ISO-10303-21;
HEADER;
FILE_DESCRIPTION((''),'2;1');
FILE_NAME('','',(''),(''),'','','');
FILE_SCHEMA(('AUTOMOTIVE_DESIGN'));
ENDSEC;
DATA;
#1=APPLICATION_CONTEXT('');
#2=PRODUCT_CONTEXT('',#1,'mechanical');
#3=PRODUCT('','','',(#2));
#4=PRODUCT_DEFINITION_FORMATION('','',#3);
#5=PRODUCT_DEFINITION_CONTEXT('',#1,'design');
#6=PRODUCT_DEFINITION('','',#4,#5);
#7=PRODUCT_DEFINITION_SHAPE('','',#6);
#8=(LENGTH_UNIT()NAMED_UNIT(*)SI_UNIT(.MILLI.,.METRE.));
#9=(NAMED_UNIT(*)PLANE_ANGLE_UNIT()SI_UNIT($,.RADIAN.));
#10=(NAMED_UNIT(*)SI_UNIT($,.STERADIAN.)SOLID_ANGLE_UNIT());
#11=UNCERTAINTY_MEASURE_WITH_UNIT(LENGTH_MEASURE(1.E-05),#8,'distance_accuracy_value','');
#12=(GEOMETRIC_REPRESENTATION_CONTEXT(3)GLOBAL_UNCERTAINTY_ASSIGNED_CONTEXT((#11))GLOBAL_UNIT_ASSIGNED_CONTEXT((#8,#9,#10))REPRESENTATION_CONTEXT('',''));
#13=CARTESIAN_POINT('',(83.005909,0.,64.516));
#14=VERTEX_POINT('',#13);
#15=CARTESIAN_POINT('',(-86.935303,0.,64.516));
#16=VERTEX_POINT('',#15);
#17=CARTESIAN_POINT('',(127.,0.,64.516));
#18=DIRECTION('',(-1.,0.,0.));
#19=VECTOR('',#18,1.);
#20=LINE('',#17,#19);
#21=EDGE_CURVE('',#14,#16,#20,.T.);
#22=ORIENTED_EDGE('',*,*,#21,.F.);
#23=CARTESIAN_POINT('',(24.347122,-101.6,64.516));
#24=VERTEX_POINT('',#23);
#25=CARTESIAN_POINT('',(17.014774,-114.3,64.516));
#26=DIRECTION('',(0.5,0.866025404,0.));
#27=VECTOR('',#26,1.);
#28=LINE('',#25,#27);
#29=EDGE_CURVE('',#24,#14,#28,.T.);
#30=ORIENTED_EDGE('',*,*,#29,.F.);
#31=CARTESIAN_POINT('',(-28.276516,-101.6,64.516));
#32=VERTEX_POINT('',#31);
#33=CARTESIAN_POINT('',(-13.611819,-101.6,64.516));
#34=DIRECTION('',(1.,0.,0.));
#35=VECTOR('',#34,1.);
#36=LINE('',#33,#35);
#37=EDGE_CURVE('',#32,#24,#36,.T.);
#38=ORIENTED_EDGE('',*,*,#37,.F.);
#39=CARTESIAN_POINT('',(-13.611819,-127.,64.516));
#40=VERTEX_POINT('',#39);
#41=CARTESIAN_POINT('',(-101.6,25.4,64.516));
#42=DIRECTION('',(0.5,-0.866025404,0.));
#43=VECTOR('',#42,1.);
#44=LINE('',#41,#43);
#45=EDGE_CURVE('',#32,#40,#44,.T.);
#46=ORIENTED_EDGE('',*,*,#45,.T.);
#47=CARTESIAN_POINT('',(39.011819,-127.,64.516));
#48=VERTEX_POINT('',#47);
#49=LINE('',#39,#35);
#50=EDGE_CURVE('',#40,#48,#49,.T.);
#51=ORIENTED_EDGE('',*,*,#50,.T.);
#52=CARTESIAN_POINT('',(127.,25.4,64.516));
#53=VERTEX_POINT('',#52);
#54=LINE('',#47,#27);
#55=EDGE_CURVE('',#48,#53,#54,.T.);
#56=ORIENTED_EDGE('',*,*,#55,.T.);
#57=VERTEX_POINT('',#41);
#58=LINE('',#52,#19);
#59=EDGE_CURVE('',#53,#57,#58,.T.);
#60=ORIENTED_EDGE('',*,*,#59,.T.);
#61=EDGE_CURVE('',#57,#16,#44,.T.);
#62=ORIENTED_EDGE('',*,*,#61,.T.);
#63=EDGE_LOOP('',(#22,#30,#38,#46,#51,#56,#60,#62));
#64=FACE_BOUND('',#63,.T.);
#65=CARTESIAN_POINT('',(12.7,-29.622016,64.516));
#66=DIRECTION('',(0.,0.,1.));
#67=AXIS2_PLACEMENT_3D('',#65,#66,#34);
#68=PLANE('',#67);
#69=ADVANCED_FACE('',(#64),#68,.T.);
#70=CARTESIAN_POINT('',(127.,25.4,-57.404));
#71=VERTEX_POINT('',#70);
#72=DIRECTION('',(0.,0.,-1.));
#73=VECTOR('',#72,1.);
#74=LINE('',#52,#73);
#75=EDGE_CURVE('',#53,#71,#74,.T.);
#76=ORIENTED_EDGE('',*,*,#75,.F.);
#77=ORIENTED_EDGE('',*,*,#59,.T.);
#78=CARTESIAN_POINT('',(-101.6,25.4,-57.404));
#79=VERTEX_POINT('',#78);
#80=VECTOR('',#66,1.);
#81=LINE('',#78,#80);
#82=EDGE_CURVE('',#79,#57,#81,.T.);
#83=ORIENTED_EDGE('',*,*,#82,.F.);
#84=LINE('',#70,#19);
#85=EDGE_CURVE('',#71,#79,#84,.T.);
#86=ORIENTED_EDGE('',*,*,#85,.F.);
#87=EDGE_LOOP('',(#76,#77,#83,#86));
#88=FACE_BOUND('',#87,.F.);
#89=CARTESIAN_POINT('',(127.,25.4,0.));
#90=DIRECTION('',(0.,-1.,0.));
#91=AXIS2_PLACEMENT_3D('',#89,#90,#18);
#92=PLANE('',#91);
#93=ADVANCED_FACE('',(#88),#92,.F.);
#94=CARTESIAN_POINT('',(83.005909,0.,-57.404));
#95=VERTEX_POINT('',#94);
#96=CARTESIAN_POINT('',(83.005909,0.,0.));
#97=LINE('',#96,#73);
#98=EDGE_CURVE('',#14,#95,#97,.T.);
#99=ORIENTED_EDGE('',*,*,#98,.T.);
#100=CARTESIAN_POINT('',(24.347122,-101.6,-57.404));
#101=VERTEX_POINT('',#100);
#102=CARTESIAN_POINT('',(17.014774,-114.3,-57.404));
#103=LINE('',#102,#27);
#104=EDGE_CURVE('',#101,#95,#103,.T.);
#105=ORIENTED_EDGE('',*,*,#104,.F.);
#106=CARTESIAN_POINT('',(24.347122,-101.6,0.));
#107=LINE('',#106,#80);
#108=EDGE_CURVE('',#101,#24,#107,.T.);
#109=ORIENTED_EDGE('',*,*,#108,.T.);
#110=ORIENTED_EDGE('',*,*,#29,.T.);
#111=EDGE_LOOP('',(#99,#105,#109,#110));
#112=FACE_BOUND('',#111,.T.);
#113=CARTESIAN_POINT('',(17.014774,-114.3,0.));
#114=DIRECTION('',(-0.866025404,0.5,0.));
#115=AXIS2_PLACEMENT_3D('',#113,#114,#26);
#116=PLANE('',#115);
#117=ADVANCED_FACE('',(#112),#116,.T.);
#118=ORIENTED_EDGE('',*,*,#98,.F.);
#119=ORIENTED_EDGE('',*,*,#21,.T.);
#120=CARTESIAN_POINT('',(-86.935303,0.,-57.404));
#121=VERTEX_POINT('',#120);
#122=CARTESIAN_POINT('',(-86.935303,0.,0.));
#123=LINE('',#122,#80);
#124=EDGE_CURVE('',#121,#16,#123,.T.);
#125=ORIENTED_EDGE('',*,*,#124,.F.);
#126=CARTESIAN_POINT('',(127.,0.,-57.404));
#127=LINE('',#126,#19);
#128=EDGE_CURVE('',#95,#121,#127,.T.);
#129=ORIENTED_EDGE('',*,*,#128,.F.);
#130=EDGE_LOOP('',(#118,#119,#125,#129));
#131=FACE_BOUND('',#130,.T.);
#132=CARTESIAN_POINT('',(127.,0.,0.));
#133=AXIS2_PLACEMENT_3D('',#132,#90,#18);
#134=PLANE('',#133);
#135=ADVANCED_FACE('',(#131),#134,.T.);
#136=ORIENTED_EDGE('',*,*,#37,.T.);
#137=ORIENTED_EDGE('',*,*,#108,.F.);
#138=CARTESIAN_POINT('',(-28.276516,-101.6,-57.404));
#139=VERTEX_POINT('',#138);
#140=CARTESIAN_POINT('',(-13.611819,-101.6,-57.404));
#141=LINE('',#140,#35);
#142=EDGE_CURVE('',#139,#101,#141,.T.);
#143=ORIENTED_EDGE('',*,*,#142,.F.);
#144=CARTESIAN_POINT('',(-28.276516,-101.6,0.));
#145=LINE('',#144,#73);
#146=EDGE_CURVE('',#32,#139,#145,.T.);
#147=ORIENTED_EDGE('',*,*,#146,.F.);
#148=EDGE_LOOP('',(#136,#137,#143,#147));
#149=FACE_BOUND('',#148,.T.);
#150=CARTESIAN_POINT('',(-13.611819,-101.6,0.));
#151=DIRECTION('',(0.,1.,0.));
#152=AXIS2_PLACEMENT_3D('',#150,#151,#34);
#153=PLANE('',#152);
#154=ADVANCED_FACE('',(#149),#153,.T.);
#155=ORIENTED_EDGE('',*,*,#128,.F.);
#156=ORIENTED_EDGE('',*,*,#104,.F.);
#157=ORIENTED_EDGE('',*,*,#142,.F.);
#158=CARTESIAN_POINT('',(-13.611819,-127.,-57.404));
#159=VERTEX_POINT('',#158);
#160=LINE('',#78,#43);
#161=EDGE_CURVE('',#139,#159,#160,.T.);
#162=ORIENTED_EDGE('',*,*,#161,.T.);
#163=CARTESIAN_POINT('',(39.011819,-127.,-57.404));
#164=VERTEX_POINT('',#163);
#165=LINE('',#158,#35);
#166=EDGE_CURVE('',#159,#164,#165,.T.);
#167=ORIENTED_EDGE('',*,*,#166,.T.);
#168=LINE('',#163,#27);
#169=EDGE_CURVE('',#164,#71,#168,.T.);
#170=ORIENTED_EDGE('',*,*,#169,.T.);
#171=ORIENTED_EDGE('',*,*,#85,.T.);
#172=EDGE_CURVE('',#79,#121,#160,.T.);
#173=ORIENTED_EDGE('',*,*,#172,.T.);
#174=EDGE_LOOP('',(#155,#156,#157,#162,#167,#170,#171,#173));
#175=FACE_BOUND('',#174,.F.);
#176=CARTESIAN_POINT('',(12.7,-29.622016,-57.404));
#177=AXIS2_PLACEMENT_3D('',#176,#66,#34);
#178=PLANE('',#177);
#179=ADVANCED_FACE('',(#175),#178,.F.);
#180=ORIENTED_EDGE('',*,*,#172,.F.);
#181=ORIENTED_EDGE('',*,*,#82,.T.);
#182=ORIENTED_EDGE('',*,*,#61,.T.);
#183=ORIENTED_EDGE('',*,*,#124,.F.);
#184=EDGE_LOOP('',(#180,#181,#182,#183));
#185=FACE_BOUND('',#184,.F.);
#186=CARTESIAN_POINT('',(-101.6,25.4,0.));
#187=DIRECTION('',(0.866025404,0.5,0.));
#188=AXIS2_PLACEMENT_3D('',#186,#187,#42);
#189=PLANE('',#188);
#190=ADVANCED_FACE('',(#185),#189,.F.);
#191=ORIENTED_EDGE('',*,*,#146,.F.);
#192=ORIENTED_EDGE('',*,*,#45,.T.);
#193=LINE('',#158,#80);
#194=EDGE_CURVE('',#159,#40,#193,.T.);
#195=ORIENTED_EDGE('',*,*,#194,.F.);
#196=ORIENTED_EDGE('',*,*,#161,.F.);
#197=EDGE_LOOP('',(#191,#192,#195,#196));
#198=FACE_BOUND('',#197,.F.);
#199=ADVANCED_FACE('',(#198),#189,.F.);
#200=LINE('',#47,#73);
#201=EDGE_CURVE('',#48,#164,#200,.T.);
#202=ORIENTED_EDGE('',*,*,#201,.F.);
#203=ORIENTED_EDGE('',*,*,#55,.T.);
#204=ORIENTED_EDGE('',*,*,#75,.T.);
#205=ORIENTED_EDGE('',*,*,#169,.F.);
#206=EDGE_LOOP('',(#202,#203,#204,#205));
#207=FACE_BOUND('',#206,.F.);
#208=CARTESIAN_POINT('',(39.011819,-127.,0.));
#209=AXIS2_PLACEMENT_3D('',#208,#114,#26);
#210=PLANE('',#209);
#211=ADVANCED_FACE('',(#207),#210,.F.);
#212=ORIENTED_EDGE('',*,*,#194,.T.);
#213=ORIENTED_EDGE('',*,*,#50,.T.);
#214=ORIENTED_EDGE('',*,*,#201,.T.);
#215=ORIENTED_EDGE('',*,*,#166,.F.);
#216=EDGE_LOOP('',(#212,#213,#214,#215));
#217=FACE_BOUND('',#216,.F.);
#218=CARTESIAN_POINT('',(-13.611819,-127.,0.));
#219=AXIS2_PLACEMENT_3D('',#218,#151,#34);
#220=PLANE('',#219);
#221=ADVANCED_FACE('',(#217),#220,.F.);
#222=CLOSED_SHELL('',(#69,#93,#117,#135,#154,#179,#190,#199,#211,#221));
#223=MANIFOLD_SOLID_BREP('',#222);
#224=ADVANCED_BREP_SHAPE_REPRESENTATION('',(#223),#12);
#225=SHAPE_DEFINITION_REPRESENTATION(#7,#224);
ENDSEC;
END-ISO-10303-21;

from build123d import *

# Parameters (mm, degrees)
F1_DEPTH      = 57.404
F1_DEPTH_BACK = 64.516
F2_T          = -25.4


with BuildPart() as f1:
    # F0 (on Top) → F1 (new body, two sides)
    with BuildSketch(Plane.XY) as f1_sk:
        Polygon((127, 25.4), (-101.6, 25.4), (-13.6118189755, -127), (39.0118189755, -127), align=None)
    extrude(amount=-F1_DEPTH)
    extrude(f1_sk.sketch, amount=F1_DEPTH_BACK)

    # F2
    f2_openings = [f1.faces().sort_by_distance(p)[0] for p in [
        (12.7, -34.905889, 64.516),
        (12.7, -34.905889, -57.404),
        (-57.605909, -50.8, 3.556),
    ]]
    offset(amount=F2_T, openings=f2_openings)


solid = f1.part
